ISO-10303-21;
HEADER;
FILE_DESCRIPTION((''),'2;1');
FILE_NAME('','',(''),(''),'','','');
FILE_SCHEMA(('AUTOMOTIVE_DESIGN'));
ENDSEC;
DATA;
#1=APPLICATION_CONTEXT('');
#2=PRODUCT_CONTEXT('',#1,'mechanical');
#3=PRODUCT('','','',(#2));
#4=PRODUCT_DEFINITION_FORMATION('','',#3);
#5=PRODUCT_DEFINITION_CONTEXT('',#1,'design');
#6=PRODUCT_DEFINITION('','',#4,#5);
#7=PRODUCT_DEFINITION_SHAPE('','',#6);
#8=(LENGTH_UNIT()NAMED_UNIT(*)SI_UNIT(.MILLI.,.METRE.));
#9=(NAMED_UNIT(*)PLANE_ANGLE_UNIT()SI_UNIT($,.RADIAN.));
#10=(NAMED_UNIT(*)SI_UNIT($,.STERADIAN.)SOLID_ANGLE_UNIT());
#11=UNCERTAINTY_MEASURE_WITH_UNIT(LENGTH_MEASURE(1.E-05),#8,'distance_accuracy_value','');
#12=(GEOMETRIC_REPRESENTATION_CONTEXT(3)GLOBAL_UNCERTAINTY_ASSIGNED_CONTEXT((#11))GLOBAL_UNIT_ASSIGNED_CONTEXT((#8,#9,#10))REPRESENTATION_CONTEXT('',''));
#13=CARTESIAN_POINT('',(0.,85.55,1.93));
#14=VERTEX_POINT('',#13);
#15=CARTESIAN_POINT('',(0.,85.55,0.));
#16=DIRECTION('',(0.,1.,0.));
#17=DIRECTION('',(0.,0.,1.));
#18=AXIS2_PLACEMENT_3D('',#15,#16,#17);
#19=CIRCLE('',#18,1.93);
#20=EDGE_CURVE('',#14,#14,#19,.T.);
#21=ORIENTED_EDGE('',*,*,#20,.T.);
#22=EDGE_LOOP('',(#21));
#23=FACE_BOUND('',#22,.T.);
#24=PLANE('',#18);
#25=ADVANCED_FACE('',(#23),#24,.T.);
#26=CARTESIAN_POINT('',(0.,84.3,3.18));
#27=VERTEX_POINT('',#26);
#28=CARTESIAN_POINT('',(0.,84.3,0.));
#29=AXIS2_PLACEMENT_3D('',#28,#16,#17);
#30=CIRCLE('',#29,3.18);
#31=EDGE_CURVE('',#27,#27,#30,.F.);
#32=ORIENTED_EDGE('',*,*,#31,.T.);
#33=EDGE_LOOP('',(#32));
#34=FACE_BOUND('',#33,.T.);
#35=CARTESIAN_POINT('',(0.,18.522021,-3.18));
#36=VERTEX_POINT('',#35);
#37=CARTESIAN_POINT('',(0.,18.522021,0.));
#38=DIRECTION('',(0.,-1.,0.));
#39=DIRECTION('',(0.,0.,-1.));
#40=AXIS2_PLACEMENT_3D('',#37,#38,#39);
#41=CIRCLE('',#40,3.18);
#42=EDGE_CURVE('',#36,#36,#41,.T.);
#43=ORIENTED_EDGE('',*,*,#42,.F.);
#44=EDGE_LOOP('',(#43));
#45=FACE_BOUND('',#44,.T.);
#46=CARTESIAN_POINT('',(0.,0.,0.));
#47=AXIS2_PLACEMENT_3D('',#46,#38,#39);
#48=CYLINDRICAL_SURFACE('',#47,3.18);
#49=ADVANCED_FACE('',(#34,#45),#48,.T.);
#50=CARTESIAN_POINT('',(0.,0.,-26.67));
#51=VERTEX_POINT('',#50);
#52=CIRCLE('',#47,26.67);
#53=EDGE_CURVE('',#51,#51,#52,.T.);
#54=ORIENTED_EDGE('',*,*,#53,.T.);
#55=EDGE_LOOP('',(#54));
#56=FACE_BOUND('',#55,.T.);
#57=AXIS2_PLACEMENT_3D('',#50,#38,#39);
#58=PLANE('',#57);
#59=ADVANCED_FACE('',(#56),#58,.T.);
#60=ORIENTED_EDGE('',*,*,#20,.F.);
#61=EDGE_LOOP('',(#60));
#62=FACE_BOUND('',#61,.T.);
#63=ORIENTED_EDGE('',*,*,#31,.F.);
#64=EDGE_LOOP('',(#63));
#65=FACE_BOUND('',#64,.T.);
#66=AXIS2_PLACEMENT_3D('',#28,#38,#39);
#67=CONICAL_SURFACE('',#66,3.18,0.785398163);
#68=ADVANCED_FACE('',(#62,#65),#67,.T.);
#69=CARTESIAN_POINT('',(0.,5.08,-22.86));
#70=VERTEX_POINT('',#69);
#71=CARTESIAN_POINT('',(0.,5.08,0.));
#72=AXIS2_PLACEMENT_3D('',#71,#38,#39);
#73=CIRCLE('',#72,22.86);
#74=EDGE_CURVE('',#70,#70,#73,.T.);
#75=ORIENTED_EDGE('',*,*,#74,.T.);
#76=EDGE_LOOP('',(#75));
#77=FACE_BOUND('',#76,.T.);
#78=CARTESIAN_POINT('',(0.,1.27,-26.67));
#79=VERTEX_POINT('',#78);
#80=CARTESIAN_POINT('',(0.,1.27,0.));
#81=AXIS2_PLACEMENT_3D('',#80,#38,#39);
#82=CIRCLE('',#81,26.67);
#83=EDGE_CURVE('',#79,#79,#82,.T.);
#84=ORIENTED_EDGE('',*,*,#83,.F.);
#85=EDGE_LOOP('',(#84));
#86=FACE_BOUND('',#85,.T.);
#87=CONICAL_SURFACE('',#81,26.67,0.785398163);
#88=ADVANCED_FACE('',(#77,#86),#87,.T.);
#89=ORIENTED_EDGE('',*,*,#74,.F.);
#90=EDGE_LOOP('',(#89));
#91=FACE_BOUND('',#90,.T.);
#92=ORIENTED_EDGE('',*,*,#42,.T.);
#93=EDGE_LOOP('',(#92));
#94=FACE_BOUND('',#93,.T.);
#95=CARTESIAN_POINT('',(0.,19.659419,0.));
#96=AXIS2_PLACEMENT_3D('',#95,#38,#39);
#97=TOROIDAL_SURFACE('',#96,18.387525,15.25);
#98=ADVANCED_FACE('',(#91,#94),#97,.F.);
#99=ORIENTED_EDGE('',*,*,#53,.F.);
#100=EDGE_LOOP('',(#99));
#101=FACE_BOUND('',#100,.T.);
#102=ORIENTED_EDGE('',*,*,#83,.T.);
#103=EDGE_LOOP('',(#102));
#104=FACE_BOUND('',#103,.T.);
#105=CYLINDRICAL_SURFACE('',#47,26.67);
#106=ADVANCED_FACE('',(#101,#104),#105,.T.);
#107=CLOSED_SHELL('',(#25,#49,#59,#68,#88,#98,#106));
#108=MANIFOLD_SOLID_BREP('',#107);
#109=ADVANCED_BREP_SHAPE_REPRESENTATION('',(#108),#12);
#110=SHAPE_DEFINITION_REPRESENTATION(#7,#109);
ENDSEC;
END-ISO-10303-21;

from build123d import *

# Parameters (mm, degrees)
CHAMFER1_SIZE = 1.25


with BuildPart() as part:
    # Sketch1 → Revolve1 (revolve)
    with BuildSketch(Plane(origin=(0, 0, 0), x_dir=(0, 0, -1), z_dir=(1, 0, 0))):
        with BuildLine():
            Line((0, 0), (0, 85.55))
            Line((0, 85.55), (3.18, 85.55))
            Line((3.18, 85.55), (3.18, 18.522021385))
            ThreePointArc((3.18, 18.522021385), (9.786228155, 7.066556842), (22.86, 5.08))
            Line((22.86, 5.08), (26.67, 1.27))
            Line((26.67, 1.27), (26.67, 0))
            Line((26.67, 0), (0, 0))
        make_face()
    revolve(axis=Axis((0, 0, 0), (0, 1, 0)))

    # Chamfer1
    chamfer1_edges = [part.edges().sort_by_distance(p)[0] for p in [
        (0, 85.55, 3.18),
    ]]
    chamfer(chamfer1_edges, length=CHAMFER1_SIZE)


solid = part.part
